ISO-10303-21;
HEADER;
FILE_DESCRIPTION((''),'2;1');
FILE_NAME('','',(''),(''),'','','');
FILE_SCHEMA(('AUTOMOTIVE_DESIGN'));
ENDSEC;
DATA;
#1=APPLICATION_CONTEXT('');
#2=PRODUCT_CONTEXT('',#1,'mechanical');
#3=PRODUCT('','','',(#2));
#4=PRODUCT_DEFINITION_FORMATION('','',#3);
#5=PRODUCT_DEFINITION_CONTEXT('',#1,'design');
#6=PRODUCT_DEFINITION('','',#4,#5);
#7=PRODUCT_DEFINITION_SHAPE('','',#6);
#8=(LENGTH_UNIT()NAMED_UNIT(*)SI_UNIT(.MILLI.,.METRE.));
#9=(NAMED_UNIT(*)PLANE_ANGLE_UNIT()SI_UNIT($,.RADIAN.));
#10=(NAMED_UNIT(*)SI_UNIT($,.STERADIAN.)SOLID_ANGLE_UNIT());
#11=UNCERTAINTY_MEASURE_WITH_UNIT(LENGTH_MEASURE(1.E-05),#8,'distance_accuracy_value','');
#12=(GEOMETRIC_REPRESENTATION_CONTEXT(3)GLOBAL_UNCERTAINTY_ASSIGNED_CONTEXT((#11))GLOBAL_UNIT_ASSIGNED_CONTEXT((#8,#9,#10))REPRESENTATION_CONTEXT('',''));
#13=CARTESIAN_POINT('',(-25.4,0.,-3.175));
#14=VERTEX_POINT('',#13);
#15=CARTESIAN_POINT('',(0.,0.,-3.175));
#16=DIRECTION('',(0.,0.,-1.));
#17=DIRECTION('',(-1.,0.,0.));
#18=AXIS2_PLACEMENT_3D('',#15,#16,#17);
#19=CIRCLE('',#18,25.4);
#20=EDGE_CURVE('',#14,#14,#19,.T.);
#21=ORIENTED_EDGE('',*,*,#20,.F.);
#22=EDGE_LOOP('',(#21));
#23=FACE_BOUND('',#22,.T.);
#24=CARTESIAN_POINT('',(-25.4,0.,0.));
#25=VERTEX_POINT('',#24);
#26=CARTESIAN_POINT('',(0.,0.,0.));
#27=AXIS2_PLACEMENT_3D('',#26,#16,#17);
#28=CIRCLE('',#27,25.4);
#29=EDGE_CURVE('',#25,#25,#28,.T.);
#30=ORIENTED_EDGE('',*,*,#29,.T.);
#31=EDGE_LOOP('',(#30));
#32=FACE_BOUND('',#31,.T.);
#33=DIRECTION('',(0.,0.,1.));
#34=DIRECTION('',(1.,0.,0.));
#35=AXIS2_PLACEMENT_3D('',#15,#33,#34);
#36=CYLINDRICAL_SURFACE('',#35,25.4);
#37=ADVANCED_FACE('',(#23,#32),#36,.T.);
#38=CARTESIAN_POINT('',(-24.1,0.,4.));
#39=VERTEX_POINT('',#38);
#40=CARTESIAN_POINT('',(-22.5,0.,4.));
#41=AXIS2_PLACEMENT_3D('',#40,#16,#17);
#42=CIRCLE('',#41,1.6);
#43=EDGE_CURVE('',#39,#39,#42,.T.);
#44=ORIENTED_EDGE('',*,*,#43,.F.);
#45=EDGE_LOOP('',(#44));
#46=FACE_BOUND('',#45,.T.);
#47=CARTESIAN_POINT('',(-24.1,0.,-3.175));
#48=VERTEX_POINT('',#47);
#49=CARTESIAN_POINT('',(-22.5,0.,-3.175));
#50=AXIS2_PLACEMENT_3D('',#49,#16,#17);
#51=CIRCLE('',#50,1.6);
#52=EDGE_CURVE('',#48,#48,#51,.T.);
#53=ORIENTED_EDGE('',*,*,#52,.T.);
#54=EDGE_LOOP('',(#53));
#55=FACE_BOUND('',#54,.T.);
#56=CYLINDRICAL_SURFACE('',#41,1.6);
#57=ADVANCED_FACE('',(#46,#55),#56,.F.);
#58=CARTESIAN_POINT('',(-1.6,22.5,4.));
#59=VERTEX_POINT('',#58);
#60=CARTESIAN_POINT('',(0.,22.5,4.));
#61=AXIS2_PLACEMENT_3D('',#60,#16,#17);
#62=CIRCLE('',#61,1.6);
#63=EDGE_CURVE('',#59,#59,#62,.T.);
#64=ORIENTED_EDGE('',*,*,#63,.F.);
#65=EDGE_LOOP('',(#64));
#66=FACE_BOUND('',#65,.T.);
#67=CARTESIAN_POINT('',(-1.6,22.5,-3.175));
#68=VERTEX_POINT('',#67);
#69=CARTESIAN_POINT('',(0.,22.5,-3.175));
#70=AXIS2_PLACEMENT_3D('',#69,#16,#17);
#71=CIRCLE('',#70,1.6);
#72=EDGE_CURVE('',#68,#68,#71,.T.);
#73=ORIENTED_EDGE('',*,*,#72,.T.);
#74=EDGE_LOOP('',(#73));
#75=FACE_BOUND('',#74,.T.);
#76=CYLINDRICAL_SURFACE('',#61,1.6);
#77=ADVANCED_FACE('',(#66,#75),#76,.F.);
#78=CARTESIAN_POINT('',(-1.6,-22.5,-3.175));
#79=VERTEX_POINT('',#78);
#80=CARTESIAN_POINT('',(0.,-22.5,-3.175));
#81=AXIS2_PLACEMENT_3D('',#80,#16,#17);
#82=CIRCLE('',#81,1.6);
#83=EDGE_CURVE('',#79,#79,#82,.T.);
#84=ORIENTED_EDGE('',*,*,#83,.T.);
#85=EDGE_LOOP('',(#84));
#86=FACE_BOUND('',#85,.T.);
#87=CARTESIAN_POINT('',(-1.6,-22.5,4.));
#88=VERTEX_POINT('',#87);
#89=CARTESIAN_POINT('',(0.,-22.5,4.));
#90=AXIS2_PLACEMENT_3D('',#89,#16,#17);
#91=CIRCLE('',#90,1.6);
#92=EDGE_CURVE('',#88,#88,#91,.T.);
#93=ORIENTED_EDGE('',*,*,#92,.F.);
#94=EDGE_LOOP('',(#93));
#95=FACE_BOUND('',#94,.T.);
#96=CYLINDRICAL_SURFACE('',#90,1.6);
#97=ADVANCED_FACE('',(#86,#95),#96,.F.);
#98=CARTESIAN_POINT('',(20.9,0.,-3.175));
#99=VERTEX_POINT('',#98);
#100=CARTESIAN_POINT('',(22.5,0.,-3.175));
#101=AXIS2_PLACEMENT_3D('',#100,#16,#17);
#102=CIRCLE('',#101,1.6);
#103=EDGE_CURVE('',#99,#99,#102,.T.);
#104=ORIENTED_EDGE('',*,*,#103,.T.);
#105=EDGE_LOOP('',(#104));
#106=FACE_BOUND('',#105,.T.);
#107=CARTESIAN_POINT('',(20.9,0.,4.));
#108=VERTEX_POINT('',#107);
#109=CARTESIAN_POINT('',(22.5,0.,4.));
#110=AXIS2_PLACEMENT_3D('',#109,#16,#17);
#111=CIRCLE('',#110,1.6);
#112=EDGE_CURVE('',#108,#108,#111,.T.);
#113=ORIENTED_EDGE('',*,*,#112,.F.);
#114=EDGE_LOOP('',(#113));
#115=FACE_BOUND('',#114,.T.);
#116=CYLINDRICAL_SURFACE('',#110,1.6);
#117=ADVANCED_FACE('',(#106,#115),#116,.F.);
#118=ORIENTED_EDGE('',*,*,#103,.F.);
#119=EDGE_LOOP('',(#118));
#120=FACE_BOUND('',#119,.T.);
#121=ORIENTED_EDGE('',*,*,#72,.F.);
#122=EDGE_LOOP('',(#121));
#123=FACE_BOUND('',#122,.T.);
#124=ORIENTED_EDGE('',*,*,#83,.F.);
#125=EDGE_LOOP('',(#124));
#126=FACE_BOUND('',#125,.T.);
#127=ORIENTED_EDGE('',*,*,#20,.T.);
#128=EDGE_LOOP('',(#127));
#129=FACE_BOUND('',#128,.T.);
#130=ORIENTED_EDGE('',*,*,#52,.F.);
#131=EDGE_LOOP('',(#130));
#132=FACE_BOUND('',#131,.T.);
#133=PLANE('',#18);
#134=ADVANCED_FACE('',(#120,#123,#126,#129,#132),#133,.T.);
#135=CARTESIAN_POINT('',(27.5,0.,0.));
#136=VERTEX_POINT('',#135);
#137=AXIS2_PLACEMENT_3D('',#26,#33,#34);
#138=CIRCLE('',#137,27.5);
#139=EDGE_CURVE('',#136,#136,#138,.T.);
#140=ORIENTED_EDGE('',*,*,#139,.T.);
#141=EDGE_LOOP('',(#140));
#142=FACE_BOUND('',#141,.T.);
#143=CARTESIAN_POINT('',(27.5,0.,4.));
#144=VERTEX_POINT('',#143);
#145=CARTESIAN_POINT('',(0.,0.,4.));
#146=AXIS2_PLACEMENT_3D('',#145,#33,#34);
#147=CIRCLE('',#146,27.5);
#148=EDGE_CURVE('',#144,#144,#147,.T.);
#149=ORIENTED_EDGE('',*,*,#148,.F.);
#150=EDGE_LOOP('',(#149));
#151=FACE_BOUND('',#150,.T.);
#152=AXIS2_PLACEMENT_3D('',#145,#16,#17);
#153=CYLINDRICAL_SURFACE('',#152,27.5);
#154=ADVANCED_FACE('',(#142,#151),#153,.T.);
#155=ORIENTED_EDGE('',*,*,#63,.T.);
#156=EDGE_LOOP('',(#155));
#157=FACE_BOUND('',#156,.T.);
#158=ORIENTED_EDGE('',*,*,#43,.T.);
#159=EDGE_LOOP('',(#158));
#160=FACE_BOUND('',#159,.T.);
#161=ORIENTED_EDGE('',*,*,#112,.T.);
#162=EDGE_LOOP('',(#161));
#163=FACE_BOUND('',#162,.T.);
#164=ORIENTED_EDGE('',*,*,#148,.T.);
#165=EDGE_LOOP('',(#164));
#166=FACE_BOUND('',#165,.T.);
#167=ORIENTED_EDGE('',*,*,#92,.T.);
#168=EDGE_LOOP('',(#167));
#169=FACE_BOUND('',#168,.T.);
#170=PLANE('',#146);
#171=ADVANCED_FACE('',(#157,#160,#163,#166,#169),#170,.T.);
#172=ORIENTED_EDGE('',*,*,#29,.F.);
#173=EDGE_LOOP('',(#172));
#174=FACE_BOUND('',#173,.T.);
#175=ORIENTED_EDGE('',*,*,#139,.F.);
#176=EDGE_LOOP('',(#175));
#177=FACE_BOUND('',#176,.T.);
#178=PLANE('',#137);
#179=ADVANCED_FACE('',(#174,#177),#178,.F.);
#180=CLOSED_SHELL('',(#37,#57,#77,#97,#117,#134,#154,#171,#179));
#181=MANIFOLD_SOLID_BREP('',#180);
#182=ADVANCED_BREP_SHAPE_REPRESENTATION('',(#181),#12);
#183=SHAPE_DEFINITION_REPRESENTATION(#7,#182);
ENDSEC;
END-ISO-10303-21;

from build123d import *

# Parameters (mm, degrees)
SKETCH_1_R          = 27.5
EXTRUDE_1_DEPTH     = 4
SKETCH_2_R          = 25.4
EXTRUDE_2_DEPTH     = 3.175
SKETCH_3_R          = 1.6
CUT_EXTRUDE_1_DEPTH = 40.547194907


with BuildPart() as part:
    # ｽｹｯﾁ1 → ﾎﾞｽ - 押し出し1 (new body)
    with BuildSketch(Plane.XY):
        Circle(SKETCH_1_R)
    extrude(amount=EXTRUDE_1_DEPTH)

    # ｽｹｯﾁ2 → ﾎﾞｽ - 押し出し2 (add)
    with BuildSketch(Plane(origin=(0, 0, 0), x_dir=(-1, 0, 0), z_dir=(0, 0, -1))):
        Circle(SKETCH_2_R)
    extrude(amount=EXTRUDE_2_DEPTH)

    # ｽｹｯﾁ3 → ｶｯﾄ - 押し出し1 (cut, through all)
    with BuildSketch(Plane(origin=(0, 0, -3.175), x_dir=(-1, 0, 0), z_dir=(0, 0, -1))):
        with Locations((0, 22.5)):
            Circle(SKETCH_3_R)
        with Locations((22.5, 0)):
            Circle(SKETCH_3_R)
        with Locations((0, -22.5)):
            Circle(SKETCH_3_R)
        with Locations((-22.5, 0)):
            Circle(SKETCH_3_R)
    extrude(amount=-CUT_EXTRUDE_1_DEPTH, mode=Mode.SUBTRACT)


solid = part.part
